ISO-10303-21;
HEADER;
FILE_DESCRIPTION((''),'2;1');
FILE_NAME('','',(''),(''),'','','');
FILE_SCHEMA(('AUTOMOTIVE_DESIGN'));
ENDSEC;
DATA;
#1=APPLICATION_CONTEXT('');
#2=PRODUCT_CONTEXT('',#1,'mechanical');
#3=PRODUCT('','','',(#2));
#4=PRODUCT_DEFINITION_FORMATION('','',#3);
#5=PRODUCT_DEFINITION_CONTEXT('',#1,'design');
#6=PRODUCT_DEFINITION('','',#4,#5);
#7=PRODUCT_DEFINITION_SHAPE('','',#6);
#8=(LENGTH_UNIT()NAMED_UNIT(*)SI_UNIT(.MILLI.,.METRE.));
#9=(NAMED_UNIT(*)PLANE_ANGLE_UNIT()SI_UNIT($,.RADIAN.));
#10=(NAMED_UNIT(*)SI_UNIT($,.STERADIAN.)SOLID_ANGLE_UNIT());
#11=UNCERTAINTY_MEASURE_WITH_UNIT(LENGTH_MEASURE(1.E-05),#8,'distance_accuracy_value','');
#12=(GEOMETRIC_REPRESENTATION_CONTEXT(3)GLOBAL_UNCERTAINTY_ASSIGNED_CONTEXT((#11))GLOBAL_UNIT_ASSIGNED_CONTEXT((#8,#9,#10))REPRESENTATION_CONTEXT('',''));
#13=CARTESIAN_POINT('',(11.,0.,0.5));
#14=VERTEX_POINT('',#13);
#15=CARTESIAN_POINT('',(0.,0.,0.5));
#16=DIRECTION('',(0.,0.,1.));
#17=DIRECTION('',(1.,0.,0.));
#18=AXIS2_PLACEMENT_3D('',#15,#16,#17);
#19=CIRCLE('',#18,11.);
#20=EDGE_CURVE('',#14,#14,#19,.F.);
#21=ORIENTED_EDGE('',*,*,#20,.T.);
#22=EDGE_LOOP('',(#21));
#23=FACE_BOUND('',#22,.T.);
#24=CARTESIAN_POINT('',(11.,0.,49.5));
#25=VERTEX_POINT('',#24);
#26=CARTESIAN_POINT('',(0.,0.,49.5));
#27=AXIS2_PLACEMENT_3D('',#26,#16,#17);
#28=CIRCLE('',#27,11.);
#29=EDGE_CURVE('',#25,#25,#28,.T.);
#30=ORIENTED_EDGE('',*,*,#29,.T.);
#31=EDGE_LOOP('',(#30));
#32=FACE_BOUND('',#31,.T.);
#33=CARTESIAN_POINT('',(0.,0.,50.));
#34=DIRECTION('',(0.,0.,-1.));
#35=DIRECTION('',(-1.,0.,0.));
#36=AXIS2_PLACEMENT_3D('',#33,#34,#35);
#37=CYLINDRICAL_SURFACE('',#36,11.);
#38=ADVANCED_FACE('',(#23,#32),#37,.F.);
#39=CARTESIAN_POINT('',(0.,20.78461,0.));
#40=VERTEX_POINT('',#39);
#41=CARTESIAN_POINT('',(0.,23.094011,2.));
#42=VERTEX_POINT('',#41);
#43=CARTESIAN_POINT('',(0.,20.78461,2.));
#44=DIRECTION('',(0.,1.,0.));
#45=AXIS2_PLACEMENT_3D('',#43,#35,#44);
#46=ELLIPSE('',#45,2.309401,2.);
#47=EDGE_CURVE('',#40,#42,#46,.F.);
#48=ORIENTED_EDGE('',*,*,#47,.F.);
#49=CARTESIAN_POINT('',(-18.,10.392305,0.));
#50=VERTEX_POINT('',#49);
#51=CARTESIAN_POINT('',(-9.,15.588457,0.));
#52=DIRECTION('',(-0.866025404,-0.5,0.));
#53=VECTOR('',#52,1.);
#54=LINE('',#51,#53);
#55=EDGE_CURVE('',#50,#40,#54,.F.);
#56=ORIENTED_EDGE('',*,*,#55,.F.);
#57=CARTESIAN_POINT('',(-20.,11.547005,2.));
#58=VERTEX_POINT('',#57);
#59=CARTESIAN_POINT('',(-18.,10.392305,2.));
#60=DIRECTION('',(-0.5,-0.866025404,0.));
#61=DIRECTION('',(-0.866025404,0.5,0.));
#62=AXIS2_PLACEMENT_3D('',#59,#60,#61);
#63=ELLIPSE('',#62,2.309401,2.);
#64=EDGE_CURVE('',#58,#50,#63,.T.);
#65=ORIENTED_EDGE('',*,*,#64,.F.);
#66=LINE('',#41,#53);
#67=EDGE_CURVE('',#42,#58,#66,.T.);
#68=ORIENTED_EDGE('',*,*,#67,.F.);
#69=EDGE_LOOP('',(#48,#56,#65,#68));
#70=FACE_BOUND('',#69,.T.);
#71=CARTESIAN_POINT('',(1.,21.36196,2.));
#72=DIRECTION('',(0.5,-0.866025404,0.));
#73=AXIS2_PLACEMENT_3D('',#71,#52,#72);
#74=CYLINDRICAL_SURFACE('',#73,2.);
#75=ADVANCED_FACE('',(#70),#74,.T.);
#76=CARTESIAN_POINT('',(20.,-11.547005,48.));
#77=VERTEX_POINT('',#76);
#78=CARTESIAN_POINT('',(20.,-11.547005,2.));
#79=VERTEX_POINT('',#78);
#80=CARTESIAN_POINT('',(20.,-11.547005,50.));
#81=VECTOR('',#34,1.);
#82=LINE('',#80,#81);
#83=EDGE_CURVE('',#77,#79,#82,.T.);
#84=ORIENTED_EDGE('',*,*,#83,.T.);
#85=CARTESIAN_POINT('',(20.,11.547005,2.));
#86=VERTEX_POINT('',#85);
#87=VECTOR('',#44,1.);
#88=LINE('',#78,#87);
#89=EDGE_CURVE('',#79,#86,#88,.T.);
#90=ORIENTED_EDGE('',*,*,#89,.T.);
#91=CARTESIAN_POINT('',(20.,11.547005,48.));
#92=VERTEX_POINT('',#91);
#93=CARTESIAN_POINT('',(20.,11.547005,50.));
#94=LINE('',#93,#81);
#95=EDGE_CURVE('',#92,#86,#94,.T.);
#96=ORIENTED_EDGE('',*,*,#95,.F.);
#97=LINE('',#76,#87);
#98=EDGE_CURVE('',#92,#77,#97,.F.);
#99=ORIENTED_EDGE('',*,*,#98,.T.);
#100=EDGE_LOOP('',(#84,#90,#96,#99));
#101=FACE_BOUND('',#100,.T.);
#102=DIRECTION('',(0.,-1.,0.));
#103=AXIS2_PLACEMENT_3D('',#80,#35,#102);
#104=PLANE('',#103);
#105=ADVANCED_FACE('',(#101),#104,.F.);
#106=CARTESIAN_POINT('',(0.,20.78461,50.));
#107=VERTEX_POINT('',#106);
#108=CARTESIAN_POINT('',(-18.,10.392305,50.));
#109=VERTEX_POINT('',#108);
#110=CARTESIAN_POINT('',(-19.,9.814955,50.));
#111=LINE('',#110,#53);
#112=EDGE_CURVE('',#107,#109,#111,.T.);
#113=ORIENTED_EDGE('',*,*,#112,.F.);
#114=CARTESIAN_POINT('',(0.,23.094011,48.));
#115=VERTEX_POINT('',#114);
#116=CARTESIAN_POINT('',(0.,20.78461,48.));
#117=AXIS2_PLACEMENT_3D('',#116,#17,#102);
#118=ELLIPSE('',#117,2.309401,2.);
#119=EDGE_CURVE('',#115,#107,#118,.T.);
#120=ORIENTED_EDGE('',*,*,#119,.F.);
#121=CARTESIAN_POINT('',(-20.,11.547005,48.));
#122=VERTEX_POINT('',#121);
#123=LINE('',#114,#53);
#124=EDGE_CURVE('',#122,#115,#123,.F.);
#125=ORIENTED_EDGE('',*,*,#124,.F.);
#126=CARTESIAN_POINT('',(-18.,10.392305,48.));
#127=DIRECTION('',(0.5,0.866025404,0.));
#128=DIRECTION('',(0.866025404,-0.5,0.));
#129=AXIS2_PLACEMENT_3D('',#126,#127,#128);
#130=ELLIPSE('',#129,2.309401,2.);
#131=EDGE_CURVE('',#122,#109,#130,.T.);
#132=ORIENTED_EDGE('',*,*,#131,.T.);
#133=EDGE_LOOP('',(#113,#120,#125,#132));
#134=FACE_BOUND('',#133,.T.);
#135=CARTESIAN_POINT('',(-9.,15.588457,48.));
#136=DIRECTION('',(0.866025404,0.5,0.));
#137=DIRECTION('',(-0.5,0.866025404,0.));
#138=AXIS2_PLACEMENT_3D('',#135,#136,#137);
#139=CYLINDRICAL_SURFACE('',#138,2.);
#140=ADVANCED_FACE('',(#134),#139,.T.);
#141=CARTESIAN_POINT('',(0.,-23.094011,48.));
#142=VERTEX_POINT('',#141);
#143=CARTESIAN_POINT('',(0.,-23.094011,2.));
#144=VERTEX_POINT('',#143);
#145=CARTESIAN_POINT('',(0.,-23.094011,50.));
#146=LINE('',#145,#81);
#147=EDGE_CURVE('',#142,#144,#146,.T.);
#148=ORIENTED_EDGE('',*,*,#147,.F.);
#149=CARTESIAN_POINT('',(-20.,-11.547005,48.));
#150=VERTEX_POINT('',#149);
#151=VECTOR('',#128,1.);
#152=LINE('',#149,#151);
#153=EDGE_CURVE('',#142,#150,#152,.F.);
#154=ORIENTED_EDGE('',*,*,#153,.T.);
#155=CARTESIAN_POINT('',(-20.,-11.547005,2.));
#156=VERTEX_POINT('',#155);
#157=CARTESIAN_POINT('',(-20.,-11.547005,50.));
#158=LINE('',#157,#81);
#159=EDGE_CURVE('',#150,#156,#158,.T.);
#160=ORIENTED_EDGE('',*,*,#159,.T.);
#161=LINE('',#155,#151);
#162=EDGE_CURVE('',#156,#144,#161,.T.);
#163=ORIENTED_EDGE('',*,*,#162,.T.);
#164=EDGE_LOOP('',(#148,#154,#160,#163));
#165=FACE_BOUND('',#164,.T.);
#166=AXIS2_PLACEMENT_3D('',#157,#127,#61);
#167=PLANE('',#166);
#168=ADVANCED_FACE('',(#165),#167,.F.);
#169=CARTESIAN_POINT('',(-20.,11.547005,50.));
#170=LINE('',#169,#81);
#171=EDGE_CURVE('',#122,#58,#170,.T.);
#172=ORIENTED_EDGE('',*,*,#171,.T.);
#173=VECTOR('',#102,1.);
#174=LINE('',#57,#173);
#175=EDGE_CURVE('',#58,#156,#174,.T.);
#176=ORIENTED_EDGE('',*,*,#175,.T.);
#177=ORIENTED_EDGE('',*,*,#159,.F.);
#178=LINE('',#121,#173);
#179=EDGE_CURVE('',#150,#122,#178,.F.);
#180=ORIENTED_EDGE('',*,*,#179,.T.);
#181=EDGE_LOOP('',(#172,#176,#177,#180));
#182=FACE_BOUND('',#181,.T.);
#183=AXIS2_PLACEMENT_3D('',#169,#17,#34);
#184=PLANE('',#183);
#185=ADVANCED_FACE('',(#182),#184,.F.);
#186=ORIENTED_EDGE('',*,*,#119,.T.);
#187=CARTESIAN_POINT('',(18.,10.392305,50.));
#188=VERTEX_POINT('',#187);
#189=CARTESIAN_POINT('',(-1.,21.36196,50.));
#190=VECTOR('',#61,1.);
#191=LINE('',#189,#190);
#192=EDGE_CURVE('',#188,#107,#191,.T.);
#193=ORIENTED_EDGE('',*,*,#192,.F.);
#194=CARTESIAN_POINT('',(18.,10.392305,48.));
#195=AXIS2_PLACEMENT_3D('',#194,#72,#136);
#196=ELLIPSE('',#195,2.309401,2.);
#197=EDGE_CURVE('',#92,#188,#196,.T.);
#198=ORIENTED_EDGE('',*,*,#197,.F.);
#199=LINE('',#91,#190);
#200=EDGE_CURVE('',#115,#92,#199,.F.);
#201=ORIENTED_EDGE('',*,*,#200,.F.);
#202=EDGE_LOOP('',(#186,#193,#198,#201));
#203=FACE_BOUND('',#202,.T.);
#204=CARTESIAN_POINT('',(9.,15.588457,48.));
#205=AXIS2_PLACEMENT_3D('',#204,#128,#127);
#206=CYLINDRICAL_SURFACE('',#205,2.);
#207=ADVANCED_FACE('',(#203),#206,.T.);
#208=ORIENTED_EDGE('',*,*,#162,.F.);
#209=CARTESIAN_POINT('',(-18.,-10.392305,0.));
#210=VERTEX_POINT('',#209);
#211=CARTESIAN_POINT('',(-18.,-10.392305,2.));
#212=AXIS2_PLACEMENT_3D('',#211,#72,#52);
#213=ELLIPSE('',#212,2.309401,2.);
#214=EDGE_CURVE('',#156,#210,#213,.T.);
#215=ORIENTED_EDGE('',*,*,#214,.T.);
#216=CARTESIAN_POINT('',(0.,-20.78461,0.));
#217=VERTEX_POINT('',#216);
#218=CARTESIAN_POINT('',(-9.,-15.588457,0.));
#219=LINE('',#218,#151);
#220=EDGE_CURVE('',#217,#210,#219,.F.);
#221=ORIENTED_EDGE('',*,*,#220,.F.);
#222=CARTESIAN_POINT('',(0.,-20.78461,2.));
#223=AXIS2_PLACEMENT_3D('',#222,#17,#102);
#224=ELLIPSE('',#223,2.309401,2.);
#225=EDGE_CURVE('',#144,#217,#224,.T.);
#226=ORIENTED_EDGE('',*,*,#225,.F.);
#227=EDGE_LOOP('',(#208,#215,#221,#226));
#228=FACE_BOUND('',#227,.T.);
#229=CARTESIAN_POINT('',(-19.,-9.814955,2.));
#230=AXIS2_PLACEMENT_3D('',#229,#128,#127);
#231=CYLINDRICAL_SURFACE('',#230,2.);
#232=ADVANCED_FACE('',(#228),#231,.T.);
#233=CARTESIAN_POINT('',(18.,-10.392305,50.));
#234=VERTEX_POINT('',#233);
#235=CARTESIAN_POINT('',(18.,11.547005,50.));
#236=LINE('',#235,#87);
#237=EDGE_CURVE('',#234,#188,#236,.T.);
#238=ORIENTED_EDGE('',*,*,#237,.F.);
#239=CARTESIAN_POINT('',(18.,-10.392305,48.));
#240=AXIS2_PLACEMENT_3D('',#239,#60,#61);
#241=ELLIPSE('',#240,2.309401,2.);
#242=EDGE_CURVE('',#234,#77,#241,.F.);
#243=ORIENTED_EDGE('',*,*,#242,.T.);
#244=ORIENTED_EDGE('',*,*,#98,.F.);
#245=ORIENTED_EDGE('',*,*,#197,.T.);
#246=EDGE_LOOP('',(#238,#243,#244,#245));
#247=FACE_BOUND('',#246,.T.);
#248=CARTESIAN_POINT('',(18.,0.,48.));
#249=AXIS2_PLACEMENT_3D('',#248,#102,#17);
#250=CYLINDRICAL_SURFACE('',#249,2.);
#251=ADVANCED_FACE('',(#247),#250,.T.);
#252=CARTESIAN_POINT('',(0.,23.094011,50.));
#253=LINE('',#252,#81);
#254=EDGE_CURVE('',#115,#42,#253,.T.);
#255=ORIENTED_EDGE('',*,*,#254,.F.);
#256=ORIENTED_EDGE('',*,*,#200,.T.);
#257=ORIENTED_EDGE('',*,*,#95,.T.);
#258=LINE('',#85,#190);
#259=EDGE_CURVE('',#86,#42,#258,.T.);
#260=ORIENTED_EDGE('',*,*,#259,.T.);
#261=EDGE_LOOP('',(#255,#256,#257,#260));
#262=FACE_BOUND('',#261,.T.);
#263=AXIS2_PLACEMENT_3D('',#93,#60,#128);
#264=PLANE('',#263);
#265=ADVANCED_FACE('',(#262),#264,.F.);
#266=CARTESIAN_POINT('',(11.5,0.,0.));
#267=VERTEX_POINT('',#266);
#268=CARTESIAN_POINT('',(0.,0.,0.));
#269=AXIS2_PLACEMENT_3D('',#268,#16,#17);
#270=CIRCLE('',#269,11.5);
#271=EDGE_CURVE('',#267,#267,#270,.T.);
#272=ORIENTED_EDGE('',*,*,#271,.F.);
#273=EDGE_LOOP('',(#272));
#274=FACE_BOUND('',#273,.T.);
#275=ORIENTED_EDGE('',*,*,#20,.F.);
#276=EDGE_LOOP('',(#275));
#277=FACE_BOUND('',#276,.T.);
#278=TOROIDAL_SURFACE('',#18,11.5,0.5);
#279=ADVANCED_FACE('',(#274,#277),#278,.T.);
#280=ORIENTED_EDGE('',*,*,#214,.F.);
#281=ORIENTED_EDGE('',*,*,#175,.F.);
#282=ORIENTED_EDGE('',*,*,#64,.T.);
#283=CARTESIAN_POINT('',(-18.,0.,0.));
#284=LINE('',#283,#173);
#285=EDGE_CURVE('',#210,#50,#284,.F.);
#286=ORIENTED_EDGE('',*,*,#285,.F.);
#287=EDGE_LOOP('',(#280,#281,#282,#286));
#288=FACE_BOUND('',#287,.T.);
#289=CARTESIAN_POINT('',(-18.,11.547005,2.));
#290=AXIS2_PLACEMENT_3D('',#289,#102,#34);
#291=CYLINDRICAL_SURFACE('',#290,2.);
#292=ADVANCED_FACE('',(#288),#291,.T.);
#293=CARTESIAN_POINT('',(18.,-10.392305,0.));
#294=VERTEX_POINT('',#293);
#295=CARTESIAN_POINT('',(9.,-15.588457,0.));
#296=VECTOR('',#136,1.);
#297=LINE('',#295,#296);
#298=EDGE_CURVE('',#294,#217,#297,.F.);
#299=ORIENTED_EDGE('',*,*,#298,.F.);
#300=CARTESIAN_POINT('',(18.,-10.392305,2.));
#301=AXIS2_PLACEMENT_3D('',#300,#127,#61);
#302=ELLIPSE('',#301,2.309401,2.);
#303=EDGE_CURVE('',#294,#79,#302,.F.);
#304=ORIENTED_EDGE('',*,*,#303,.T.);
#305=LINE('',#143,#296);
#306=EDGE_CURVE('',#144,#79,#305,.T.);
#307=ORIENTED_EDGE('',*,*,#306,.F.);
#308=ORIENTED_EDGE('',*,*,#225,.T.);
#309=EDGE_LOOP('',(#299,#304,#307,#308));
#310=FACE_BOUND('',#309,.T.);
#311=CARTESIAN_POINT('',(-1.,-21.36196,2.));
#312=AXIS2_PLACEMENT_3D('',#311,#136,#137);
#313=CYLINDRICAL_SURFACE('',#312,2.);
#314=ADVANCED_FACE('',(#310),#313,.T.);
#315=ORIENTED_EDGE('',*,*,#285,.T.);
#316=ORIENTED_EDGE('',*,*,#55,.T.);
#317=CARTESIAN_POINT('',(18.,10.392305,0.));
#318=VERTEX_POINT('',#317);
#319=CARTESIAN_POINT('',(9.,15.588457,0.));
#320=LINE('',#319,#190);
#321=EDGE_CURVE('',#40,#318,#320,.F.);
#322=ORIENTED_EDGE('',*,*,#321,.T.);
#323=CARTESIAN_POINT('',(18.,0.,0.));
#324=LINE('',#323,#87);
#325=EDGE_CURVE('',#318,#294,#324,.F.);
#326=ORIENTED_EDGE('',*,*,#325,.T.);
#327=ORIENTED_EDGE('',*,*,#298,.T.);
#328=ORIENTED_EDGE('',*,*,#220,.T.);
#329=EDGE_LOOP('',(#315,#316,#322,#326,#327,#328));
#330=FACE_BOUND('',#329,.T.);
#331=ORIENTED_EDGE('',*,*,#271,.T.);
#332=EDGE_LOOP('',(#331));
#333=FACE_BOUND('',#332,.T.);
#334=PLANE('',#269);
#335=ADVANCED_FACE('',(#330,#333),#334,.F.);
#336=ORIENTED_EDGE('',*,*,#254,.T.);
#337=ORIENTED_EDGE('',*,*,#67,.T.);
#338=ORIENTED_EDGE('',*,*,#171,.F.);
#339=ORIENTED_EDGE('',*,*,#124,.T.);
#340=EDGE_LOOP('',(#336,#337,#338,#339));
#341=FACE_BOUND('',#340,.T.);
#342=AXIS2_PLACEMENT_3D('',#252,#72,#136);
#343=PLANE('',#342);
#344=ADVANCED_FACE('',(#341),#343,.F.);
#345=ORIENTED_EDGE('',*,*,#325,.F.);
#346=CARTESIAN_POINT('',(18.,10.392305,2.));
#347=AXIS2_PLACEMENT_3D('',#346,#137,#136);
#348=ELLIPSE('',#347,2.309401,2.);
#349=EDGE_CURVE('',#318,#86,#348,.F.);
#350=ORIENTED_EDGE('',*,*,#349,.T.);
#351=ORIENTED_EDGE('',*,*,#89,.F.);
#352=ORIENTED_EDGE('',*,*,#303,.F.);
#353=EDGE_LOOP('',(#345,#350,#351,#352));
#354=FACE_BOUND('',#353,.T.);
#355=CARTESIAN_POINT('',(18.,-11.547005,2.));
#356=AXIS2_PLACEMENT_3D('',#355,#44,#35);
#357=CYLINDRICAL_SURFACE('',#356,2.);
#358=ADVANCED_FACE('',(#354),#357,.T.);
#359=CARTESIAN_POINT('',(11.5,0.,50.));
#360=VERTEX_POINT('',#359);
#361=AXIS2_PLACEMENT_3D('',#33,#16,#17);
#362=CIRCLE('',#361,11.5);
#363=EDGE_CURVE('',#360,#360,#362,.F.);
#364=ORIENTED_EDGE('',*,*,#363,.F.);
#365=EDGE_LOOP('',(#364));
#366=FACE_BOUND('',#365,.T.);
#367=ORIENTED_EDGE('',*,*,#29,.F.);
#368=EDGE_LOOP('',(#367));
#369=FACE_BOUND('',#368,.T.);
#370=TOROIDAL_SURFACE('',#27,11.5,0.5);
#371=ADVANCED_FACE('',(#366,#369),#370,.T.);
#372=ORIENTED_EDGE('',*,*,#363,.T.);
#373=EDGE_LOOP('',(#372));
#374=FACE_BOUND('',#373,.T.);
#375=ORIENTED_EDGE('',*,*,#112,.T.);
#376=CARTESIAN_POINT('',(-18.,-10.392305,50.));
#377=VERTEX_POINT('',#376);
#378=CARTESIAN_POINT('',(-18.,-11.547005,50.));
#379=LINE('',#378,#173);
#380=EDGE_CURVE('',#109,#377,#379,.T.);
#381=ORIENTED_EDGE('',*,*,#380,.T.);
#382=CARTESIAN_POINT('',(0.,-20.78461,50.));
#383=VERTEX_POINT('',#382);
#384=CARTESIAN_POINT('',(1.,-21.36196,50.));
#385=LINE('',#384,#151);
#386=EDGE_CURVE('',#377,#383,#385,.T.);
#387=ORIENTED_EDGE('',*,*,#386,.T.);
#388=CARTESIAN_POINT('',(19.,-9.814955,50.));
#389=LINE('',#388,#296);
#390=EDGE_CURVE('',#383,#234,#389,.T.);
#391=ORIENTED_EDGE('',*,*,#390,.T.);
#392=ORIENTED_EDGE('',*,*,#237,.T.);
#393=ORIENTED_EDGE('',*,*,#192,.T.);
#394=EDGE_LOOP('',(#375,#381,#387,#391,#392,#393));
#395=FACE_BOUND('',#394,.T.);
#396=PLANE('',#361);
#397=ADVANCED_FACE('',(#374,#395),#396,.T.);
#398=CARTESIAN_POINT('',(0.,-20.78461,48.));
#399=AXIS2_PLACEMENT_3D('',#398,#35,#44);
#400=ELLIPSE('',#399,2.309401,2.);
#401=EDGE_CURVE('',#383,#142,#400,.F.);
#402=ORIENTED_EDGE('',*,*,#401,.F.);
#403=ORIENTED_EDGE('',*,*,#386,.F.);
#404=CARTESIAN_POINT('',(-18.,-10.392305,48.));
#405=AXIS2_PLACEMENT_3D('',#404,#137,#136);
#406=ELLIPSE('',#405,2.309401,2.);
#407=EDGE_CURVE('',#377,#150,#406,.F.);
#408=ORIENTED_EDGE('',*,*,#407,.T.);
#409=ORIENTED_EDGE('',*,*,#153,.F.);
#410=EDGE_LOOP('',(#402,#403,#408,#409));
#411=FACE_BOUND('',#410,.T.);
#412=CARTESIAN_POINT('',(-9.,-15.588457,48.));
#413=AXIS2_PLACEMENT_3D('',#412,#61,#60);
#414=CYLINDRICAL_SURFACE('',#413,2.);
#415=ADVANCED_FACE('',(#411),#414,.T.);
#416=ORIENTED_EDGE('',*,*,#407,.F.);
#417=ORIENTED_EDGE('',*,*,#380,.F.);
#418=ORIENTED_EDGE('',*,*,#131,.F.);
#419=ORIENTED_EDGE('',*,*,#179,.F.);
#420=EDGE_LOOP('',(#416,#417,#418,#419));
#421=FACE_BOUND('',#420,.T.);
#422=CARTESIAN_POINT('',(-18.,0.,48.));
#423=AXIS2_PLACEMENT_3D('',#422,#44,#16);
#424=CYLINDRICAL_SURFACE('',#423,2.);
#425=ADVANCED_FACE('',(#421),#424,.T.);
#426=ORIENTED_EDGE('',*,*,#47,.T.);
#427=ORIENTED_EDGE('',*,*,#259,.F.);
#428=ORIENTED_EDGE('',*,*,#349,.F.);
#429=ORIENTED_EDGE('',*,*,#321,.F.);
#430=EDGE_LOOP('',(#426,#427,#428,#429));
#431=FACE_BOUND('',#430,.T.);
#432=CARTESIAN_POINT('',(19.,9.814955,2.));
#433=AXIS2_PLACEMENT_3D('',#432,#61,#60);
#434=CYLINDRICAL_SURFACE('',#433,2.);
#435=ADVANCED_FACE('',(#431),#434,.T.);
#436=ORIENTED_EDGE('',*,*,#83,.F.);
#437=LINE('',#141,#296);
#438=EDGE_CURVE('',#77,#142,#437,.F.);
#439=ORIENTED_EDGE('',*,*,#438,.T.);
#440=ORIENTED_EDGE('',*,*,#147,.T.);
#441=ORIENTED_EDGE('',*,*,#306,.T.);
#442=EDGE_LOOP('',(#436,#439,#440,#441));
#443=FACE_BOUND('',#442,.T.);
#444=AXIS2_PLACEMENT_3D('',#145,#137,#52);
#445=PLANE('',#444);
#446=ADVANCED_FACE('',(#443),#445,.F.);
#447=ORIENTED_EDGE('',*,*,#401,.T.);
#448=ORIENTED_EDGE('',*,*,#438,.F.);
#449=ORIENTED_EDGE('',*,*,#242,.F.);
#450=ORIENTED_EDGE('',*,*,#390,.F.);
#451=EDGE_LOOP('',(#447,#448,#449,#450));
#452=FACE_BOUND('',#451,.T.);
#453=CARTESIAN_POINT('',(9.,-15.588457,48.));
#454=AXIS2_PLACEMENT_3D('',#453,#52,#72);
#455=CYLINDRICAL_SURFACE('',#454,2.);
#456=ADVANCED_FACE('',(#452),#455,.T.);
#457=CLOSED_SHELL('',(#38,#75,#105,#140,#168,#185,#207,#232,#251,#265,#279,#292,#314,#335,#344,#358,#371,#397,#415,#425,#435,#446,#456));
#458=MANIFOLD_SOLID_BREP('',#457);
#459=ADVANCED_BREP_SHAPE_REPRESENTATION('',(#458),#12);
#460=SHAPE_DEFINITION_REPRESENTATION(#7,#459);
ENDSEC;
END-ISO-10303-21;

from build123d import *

# Parameters (mm, degrees)
SKETCH_1_R      = 11
EXTRUDE_1_DEPTH = 50
FILLET_1_R      = 2
FILLET_2_R      = 0.5


with BuildPart() as part:
    # 草图1 → 凸台-拉伸1 (new body)
    with BuildSketch(Plane.XY):
        Polygon((0, -23.094010768), (20, -11.547005384), (20, 11.547005384), (0, 23.094010768), (-20, 11.547005384), (-20, -11.547005384), align=None)
        Circle(SKETCH_1_R, mode=Mode.SUBTRACT)
    extrude(amount=EXTRUDE_1_DEPTH)

    # 圆角1
    fillet_1_edges = [part.edges().sort_by_distance(p)[0] for p in [
        (20, 0, 50),
        (10, 17.320508076, 50),
        (-10, 17.320508076, 50),
        (-20, 0, 50),
        (-10, -17.320508076, 50),
        (-20, 0, 0),
        (-10, 17.320508076, 0),
        (10, 17.320508076, 0),
        (10, -17.320508076, 50),
        (20, 0, 0),
        (10, -17.320508076, 0),
        (-10, -17.320508076, 0),
    ]]
    fillet(fillet_1_edges, radius=FILLET_1_R)

    # 圆角2
    fillet_2_edges = [part.edges().sort_by_distance(p)[0] for p in [
        (-11, 0, 0),
        (-11, 0, 50),
    ]]
    fillet(fillet_2_edges, radius=FILLET_2_R)


solid = part.part
